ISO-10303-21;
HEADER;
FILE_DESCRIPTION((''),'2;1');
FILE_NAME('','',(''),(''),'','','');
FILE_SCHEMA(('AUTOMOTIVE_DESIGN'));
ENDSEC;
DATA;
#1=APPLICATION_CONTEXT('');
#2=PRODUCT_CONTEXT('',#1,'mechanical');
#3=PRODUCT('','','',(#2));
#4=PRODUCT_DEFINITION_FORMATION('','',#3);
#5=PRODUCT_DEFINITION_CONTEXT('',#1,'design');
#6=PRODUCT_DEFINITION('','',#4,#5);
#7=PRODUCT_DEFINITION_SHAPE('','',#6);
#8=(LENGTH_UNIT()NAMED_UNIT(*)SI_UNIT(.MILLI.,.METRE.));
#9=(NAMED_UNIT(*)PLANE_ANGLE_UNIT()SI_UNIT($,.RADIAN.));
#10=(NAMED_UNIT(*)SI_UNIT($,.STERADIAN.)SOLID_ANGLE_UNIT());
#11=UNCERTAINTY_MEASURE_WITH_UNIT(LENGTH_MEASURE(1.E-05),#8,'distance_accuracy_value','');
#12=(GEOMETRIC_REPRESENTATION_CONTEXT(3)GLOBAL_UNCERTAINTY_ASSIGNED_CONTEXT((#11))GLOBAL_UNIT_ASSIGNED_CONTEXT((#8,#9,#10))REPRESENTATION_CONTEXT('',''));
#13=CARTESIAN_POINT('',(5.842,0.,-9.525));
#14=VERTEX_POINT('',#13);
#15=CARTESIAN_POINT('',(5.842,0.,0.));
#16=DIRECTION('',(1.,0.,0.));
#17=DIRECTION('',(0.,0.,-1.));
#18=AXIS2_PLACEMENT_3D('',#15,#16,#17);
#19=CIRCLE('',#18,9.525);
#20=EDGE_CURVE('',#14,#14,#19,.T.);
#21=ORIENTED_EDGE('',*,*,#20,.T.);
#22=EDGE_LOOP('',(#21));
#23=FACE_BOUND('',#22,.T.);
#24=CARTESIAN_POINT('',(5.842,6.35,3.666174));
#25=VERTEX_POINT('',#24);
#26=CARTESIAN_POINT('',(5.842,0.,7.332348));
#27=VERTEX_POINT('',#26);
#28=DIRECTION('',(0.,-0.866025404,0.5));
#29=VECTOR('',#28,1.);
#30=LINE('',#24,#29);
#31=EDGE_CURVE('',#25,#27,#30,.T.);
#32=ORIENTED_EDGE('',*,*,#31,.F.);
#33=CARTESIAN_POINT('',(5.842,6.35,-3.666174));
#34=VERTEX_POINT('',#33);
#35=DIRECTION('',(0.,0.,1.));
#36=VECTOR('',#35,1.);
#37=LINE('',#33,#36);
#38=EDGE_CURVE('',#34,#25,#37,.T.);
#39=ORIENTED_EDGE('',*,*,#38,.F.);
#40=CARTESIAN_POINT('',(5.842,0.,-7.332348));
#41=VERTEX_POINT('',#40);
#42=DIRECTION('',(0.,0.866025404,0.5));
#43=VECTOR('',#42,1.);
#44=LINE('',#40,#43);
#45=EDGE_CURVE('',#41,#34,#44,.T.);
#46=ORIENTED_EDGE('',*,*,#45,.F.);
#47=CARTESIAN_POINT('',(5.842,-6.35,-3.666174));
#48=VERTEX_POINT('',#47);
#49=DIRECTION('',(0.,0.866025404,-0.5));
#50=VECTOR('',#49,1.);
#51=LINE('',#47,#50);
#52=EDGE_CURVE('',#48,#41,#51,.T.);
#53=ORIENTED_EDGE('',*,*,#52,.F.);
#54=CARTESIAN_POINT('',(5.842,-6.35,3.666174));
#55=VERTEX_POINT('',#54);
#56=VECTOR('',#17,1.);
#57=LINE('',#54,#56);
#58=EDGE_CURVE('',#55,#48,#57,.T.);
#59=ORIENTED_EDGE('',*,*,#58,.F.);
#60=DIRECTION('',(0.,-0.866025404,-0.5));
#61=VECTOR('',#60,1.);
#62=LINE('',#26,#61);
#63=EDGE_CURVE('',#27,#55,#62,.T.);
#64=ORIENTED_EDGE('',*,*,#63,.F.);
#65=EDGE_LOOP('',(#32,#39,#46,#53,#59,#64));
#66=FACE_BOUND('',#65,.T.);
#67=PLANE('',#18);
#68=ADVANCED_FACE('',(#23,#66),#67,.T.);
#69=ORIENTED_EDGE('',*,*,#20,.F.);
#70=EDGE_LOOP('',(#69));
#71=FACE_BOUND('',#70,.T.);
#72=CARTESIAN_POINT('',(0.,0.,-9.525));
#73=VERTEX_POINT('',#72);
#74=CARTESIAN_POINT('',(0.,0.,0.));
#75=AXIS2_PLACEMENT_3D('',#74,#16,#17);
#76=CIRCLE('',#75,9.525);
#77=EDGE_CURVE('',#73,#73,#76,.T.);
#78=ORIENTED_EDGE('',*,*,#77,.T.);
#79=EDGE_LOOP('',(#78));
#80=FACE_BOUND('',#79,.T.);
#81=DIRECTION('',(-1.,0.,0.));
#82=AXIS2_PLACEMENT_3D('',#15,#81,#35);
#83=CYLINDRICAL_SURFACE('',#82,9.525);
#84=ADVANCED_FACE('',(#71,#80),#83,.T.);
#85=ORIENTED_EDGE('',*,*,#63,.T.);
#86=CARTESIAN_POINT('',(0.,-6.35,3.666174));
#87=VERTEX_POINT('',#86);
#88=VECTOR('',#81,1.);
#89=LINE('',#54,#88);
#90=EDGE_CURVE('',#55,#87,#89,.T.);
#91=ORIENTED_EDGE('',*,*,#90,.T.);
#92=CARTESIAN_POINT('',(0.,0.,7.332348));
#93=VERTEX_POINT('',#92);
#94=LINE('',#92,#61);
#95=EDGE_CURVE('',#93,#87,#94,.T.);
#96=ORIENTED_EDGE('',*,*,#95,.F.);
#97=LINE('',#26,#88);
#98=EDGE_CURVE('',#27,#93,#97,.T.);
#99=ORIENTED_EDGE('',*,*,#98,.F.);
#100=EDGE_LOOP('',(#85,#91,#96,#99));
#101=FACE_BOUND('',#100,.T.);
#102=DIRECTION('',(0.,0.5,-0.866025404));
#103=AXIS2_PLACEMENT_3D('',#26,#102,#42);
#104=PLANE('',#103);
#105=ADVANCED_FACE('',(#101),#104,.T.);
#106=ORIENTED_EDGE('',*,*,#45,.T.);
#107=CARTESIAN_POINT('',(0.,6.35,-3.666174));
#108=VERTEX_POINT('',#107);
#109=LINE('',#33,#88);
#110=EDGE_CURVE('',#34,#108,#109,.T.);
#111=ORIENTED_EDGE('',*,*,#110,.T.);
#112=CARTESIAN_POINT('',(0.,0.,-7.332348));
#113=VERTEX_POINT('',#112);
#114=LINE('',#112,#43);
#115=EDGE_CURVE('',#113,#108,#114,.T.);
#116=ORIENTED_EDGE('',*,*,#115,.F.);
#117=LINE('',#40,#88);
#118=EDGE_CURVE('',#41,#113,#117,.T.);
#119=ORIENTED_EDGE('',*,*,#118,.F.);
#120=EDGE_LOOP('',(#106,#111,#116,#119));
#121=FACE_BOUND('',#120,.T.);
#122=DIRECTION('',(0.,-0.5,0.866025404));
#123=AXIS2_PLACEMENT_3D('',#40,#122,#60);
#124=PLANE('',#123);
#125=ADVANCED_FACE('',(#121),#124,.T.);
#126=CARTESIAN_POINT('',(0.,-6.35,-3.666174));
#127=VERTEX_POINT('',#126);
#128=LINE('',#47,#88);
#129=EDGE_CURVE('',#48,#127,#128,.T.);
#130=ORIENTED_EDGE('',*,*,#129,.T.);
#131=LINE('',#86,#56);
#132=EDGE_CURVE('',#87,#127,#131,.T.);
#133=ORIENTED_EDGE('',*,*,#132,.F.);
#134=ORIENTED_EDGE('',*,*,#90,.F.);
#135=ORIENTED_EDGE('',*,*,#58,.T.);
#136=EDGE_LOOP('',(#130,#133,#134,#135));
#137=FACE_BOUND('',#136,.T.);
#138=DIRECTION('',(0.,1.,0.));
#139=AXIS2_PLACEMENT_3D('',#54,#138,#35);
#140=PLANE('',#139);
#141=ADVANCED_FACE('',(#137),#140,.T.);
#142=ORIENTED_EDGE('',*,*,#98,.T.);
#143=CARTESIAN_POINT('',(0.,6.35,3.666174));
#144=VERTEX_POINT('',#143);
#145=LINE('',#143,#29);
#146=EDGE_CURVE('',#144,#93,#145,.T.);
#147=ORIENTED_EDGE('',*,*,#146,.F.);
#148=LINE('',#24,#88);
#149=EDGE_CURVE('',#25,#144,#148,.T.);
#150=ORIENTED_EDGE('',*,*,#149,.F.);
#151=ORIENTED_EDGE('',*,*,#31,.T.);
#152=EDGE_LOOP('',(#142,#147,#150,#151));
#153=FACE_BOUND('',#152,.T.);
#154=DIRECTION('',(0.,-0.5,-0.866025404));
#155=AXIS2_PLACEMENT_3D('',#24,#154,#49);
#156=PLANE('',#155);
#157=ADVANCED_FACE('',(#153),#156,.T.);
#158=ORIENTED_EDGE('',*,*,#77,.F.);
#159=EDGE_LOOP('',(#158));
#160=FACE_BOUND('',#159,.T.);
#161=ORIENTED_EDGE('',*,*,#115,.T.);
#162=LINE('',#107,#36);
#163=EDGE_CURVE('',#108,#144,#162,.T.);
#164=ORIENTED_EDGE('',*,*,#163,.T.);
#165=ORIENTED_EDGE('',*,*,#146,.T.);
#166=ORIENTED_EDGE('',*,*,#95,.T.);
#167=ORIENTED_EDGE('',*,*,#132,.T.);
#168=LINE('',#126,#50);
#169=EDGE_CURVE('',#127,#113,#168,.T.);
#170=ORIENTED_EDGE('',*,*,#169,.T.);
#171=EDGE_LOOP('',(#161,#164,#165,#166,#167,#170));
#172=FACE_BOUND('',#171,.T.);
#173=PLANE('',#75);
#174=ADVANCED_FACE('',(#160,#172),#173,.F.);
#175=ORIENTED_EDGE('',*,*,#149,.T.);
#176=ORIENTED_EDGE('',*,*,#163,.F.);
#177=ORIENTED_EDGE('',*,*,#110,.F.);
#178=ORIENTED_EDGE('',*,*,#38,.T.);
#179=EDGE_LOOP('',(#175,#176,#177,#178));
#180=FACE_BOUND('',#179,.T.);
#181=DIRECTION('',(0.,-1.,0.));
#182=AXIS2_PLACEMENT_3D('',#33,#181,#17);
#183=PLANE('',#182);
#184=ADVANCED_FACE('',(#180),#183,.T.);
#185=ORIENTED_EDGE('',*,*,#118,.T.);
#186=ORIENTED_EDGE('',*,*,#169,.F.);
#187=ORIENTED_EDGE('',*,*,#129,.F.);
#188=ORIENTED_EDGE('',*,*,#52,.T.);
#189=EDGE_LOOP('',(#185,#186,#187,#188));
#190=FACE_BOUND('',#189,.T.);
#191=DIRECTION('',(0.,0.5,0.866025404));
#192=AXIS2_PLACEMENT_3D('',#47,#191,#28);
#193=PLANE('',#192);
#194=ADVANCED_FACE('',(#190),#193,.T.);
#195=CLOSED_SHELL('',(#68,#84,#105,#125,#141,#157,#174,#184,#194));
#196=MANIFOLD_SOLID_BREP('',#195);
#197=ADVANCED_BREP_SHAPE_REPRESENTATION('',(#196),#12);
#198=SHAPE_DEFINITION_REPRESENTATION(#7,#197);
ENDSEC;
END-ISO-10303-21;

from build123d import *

# Parameters (mm, degrees)
SKETCH1_R           = 9.525
BOSS_EXTRUDE1_DEPTH = 5.842


with BuildPart() as part:
    # Sketch1 → Boss-Extrude1 (new body)
    with BuildSketch(Plane(origin=(0, 0, 0), x_dir=(0, 0, -1), z_dir=(1, 0, 0))):
        Circle(SKETCH1_R)
        Polygon((7.332348419, 0), (3.666174209, 6.35), (-3.666174209, 6.35), (-7.332348419, 0), (-3.666174209, -6.35), (3.666174209, -6.35), align=None, mode=Mode.SUBTRACT)
    extrude(amount=BOSS_EXTRUDE1_DEPTH)


solid = part.part
